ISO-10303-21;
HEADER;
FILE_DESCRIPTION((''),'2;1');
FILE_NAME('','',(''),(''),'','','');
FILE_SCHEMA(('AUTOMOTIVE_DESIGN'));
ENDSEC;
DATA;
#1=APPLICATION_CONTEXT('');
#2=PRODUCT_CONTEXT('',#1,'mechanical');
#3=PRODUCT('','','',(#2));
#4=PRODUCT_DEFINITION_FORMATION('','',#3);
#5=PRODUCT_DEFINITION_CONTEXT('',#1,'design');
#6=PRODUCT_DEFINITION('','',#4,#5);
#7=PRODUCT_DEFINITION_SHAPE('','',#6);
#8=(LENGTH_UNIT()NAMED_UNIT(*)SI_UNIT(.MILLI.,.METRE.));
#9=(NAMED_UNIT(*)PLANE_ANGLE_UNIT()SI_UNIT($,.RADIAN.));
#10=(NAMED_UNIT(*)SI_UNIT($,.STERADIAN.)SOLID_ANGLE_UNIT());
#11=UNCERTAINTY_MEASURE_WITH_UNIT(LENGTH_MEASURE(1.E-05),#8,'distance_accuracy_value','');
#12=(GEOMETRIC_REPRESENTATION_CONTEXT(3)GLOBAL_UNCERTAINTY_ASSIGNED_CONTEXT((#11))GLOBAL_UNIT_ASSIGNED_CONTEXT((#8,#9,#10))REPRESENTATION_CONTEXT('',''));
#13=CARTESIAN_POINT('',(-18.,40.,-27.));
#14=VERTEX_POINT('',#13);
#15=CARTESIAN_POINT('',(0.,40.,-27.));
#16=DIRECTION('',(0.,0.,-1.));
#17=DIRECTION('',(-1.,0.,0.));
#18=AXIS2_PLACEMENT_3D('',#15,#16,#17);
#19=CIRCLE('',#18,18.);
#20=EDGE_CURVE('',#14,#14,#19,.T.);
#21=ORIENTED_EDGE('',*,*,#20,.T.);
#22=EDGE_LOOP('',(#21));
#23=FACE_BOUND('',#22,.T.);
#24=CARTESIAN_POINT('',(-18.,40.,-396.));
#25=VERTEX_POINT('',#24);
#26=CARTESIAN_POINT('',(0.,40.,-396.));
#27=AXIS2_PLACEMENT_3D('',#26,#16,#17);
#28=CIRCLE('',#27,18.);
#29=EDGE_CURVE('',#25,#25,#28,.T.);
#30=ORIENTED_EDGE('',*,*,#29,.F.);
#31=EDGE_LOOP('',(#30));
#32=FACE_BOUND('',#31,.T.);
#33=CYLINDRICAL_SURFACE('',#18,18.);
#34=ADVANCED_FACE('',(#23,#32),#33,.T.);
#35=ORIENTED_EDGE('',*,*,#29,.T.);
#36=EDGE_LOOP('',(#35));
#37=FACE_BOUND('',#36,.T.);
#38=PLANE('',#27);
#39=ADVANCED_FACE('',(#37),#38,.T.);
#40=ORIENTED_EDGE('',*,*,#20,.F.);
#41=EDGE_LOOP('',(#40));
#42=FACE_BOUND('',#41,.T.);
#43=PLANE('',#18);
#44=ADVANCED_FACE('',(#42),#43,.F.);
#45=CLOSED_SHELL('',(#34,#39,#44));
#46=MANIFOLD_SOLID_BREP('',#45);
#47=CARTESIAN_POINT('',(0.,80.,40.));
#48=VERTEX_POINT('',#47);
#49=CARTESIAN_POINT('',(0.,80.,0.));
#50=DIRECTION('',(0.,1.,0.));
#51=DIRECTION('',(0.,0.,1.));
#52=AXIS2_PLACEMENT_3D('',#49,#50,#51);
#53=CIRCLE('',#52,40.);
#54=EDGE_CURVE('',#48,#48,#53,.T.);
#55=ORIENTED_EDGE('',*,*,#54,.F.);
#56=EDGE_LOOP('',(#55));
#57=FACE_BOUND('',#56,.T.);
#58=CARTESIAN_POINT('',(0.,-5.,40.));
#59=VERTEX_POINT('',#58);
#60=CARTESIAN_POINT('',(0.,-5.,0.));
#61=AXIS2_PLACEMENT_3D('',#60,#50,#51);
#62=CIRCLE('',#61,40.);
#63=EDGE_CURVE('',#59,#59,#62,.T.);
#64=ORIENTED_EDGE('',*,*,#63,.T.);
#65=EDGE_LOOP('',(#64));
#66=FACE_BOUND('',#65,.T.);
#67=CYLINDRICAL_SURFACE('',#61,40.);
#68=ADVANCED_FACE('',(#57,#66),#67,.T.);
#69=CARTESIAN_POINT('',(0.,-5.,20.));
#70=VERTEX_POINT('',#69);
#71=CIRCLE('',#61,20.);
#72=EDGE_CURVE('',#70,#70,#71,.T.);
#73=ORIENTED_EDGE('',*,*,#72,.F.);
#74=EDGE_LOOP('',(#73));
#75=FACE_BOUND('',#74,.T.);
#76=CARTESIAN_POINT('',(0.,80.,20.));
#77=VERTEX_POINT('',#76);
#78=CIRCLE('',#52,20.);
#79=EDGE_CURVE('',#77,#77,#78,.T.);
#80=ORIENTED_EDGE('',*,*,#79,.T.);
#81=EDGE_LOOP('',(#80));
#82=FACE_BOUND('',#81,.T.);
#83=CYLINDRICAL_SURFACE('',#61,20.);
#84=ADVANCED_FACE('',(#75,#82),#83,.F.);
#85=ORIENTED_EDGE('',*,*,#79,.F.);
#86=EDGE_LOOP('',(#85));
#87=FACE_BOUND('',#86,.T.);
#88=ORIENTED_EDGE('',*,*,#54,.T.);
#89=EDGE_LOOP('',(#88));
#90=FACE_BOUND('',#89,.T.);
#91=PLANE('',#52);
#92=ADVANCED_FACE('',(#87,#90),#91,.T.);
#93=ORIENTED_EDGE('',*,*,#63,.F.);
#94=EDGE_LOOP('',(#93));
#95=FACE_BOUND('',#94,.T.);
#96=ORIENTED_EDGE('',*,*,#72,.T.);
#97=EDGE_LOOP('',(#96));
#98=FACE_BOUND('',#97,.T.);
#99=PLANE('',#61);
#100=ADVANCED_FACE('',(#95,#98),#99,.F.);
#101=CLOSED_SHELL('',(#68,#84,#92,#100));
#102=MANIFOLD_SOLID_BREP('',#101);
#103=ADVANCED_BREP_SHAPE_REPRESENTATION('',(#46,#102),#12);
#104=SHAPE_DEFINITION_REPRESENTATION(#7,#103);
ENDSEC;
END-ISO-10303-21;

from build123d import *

# Parameters (mm, degrees)
SKETCH1_R                = 40
SKETCH1_R_2              = 20
BOSS_EXTRUDE1_DEPTH      = 80
BOSS_EXTRUDE1_DEPTH_BACK = 5
SKETCH2_R                = 18
BOSS_EXTRUDE2_DEPTH      = 356
BOSS_EXTRUDE2_DEPTH_BACK = 13


with BuildPart() as part:
    # Sketch1 → Boss-Extrude1 (new body, two sides)
    with BuildSketch(Plane(origin=(0, 0, 0), x_dir=(1, 0, 0), z_dir=(0, 1, 0))) as boss_extrude1_sk:
        Circle(SKETCH1_R)
        Circle(SKETCH1_R_2, mode=Mode.SUBTRACT)
    extrude(amount=BOSS_EXTRUDE1_DEPTH)
    extrude(boss_extrude1_sk.sketch, amount=-BOSS_EXTRUDE1_DEPTH_BACK)


with BuildPart() as body_2:
    # Sketch2 → Boss-Extrude2 (new body, two sides)
    with BuildSketch(Plane(origin=(0, 0, -40), x_dir=(-1, 0, 0), z_dir=(0, 0, -1))) as boss_extrude2_sk:
        with Locations((0, 40)):
            Circle(SKETCH2_R)
    extrude(amount=BOSS_EXTRUDE2_DEPTH)
    extrude(boss_extrude2_sk.sketch, amount=-BOSS_EXTRUDE2_DEPTH_BACK)


solid = Compound([part.part, body_2.part])
